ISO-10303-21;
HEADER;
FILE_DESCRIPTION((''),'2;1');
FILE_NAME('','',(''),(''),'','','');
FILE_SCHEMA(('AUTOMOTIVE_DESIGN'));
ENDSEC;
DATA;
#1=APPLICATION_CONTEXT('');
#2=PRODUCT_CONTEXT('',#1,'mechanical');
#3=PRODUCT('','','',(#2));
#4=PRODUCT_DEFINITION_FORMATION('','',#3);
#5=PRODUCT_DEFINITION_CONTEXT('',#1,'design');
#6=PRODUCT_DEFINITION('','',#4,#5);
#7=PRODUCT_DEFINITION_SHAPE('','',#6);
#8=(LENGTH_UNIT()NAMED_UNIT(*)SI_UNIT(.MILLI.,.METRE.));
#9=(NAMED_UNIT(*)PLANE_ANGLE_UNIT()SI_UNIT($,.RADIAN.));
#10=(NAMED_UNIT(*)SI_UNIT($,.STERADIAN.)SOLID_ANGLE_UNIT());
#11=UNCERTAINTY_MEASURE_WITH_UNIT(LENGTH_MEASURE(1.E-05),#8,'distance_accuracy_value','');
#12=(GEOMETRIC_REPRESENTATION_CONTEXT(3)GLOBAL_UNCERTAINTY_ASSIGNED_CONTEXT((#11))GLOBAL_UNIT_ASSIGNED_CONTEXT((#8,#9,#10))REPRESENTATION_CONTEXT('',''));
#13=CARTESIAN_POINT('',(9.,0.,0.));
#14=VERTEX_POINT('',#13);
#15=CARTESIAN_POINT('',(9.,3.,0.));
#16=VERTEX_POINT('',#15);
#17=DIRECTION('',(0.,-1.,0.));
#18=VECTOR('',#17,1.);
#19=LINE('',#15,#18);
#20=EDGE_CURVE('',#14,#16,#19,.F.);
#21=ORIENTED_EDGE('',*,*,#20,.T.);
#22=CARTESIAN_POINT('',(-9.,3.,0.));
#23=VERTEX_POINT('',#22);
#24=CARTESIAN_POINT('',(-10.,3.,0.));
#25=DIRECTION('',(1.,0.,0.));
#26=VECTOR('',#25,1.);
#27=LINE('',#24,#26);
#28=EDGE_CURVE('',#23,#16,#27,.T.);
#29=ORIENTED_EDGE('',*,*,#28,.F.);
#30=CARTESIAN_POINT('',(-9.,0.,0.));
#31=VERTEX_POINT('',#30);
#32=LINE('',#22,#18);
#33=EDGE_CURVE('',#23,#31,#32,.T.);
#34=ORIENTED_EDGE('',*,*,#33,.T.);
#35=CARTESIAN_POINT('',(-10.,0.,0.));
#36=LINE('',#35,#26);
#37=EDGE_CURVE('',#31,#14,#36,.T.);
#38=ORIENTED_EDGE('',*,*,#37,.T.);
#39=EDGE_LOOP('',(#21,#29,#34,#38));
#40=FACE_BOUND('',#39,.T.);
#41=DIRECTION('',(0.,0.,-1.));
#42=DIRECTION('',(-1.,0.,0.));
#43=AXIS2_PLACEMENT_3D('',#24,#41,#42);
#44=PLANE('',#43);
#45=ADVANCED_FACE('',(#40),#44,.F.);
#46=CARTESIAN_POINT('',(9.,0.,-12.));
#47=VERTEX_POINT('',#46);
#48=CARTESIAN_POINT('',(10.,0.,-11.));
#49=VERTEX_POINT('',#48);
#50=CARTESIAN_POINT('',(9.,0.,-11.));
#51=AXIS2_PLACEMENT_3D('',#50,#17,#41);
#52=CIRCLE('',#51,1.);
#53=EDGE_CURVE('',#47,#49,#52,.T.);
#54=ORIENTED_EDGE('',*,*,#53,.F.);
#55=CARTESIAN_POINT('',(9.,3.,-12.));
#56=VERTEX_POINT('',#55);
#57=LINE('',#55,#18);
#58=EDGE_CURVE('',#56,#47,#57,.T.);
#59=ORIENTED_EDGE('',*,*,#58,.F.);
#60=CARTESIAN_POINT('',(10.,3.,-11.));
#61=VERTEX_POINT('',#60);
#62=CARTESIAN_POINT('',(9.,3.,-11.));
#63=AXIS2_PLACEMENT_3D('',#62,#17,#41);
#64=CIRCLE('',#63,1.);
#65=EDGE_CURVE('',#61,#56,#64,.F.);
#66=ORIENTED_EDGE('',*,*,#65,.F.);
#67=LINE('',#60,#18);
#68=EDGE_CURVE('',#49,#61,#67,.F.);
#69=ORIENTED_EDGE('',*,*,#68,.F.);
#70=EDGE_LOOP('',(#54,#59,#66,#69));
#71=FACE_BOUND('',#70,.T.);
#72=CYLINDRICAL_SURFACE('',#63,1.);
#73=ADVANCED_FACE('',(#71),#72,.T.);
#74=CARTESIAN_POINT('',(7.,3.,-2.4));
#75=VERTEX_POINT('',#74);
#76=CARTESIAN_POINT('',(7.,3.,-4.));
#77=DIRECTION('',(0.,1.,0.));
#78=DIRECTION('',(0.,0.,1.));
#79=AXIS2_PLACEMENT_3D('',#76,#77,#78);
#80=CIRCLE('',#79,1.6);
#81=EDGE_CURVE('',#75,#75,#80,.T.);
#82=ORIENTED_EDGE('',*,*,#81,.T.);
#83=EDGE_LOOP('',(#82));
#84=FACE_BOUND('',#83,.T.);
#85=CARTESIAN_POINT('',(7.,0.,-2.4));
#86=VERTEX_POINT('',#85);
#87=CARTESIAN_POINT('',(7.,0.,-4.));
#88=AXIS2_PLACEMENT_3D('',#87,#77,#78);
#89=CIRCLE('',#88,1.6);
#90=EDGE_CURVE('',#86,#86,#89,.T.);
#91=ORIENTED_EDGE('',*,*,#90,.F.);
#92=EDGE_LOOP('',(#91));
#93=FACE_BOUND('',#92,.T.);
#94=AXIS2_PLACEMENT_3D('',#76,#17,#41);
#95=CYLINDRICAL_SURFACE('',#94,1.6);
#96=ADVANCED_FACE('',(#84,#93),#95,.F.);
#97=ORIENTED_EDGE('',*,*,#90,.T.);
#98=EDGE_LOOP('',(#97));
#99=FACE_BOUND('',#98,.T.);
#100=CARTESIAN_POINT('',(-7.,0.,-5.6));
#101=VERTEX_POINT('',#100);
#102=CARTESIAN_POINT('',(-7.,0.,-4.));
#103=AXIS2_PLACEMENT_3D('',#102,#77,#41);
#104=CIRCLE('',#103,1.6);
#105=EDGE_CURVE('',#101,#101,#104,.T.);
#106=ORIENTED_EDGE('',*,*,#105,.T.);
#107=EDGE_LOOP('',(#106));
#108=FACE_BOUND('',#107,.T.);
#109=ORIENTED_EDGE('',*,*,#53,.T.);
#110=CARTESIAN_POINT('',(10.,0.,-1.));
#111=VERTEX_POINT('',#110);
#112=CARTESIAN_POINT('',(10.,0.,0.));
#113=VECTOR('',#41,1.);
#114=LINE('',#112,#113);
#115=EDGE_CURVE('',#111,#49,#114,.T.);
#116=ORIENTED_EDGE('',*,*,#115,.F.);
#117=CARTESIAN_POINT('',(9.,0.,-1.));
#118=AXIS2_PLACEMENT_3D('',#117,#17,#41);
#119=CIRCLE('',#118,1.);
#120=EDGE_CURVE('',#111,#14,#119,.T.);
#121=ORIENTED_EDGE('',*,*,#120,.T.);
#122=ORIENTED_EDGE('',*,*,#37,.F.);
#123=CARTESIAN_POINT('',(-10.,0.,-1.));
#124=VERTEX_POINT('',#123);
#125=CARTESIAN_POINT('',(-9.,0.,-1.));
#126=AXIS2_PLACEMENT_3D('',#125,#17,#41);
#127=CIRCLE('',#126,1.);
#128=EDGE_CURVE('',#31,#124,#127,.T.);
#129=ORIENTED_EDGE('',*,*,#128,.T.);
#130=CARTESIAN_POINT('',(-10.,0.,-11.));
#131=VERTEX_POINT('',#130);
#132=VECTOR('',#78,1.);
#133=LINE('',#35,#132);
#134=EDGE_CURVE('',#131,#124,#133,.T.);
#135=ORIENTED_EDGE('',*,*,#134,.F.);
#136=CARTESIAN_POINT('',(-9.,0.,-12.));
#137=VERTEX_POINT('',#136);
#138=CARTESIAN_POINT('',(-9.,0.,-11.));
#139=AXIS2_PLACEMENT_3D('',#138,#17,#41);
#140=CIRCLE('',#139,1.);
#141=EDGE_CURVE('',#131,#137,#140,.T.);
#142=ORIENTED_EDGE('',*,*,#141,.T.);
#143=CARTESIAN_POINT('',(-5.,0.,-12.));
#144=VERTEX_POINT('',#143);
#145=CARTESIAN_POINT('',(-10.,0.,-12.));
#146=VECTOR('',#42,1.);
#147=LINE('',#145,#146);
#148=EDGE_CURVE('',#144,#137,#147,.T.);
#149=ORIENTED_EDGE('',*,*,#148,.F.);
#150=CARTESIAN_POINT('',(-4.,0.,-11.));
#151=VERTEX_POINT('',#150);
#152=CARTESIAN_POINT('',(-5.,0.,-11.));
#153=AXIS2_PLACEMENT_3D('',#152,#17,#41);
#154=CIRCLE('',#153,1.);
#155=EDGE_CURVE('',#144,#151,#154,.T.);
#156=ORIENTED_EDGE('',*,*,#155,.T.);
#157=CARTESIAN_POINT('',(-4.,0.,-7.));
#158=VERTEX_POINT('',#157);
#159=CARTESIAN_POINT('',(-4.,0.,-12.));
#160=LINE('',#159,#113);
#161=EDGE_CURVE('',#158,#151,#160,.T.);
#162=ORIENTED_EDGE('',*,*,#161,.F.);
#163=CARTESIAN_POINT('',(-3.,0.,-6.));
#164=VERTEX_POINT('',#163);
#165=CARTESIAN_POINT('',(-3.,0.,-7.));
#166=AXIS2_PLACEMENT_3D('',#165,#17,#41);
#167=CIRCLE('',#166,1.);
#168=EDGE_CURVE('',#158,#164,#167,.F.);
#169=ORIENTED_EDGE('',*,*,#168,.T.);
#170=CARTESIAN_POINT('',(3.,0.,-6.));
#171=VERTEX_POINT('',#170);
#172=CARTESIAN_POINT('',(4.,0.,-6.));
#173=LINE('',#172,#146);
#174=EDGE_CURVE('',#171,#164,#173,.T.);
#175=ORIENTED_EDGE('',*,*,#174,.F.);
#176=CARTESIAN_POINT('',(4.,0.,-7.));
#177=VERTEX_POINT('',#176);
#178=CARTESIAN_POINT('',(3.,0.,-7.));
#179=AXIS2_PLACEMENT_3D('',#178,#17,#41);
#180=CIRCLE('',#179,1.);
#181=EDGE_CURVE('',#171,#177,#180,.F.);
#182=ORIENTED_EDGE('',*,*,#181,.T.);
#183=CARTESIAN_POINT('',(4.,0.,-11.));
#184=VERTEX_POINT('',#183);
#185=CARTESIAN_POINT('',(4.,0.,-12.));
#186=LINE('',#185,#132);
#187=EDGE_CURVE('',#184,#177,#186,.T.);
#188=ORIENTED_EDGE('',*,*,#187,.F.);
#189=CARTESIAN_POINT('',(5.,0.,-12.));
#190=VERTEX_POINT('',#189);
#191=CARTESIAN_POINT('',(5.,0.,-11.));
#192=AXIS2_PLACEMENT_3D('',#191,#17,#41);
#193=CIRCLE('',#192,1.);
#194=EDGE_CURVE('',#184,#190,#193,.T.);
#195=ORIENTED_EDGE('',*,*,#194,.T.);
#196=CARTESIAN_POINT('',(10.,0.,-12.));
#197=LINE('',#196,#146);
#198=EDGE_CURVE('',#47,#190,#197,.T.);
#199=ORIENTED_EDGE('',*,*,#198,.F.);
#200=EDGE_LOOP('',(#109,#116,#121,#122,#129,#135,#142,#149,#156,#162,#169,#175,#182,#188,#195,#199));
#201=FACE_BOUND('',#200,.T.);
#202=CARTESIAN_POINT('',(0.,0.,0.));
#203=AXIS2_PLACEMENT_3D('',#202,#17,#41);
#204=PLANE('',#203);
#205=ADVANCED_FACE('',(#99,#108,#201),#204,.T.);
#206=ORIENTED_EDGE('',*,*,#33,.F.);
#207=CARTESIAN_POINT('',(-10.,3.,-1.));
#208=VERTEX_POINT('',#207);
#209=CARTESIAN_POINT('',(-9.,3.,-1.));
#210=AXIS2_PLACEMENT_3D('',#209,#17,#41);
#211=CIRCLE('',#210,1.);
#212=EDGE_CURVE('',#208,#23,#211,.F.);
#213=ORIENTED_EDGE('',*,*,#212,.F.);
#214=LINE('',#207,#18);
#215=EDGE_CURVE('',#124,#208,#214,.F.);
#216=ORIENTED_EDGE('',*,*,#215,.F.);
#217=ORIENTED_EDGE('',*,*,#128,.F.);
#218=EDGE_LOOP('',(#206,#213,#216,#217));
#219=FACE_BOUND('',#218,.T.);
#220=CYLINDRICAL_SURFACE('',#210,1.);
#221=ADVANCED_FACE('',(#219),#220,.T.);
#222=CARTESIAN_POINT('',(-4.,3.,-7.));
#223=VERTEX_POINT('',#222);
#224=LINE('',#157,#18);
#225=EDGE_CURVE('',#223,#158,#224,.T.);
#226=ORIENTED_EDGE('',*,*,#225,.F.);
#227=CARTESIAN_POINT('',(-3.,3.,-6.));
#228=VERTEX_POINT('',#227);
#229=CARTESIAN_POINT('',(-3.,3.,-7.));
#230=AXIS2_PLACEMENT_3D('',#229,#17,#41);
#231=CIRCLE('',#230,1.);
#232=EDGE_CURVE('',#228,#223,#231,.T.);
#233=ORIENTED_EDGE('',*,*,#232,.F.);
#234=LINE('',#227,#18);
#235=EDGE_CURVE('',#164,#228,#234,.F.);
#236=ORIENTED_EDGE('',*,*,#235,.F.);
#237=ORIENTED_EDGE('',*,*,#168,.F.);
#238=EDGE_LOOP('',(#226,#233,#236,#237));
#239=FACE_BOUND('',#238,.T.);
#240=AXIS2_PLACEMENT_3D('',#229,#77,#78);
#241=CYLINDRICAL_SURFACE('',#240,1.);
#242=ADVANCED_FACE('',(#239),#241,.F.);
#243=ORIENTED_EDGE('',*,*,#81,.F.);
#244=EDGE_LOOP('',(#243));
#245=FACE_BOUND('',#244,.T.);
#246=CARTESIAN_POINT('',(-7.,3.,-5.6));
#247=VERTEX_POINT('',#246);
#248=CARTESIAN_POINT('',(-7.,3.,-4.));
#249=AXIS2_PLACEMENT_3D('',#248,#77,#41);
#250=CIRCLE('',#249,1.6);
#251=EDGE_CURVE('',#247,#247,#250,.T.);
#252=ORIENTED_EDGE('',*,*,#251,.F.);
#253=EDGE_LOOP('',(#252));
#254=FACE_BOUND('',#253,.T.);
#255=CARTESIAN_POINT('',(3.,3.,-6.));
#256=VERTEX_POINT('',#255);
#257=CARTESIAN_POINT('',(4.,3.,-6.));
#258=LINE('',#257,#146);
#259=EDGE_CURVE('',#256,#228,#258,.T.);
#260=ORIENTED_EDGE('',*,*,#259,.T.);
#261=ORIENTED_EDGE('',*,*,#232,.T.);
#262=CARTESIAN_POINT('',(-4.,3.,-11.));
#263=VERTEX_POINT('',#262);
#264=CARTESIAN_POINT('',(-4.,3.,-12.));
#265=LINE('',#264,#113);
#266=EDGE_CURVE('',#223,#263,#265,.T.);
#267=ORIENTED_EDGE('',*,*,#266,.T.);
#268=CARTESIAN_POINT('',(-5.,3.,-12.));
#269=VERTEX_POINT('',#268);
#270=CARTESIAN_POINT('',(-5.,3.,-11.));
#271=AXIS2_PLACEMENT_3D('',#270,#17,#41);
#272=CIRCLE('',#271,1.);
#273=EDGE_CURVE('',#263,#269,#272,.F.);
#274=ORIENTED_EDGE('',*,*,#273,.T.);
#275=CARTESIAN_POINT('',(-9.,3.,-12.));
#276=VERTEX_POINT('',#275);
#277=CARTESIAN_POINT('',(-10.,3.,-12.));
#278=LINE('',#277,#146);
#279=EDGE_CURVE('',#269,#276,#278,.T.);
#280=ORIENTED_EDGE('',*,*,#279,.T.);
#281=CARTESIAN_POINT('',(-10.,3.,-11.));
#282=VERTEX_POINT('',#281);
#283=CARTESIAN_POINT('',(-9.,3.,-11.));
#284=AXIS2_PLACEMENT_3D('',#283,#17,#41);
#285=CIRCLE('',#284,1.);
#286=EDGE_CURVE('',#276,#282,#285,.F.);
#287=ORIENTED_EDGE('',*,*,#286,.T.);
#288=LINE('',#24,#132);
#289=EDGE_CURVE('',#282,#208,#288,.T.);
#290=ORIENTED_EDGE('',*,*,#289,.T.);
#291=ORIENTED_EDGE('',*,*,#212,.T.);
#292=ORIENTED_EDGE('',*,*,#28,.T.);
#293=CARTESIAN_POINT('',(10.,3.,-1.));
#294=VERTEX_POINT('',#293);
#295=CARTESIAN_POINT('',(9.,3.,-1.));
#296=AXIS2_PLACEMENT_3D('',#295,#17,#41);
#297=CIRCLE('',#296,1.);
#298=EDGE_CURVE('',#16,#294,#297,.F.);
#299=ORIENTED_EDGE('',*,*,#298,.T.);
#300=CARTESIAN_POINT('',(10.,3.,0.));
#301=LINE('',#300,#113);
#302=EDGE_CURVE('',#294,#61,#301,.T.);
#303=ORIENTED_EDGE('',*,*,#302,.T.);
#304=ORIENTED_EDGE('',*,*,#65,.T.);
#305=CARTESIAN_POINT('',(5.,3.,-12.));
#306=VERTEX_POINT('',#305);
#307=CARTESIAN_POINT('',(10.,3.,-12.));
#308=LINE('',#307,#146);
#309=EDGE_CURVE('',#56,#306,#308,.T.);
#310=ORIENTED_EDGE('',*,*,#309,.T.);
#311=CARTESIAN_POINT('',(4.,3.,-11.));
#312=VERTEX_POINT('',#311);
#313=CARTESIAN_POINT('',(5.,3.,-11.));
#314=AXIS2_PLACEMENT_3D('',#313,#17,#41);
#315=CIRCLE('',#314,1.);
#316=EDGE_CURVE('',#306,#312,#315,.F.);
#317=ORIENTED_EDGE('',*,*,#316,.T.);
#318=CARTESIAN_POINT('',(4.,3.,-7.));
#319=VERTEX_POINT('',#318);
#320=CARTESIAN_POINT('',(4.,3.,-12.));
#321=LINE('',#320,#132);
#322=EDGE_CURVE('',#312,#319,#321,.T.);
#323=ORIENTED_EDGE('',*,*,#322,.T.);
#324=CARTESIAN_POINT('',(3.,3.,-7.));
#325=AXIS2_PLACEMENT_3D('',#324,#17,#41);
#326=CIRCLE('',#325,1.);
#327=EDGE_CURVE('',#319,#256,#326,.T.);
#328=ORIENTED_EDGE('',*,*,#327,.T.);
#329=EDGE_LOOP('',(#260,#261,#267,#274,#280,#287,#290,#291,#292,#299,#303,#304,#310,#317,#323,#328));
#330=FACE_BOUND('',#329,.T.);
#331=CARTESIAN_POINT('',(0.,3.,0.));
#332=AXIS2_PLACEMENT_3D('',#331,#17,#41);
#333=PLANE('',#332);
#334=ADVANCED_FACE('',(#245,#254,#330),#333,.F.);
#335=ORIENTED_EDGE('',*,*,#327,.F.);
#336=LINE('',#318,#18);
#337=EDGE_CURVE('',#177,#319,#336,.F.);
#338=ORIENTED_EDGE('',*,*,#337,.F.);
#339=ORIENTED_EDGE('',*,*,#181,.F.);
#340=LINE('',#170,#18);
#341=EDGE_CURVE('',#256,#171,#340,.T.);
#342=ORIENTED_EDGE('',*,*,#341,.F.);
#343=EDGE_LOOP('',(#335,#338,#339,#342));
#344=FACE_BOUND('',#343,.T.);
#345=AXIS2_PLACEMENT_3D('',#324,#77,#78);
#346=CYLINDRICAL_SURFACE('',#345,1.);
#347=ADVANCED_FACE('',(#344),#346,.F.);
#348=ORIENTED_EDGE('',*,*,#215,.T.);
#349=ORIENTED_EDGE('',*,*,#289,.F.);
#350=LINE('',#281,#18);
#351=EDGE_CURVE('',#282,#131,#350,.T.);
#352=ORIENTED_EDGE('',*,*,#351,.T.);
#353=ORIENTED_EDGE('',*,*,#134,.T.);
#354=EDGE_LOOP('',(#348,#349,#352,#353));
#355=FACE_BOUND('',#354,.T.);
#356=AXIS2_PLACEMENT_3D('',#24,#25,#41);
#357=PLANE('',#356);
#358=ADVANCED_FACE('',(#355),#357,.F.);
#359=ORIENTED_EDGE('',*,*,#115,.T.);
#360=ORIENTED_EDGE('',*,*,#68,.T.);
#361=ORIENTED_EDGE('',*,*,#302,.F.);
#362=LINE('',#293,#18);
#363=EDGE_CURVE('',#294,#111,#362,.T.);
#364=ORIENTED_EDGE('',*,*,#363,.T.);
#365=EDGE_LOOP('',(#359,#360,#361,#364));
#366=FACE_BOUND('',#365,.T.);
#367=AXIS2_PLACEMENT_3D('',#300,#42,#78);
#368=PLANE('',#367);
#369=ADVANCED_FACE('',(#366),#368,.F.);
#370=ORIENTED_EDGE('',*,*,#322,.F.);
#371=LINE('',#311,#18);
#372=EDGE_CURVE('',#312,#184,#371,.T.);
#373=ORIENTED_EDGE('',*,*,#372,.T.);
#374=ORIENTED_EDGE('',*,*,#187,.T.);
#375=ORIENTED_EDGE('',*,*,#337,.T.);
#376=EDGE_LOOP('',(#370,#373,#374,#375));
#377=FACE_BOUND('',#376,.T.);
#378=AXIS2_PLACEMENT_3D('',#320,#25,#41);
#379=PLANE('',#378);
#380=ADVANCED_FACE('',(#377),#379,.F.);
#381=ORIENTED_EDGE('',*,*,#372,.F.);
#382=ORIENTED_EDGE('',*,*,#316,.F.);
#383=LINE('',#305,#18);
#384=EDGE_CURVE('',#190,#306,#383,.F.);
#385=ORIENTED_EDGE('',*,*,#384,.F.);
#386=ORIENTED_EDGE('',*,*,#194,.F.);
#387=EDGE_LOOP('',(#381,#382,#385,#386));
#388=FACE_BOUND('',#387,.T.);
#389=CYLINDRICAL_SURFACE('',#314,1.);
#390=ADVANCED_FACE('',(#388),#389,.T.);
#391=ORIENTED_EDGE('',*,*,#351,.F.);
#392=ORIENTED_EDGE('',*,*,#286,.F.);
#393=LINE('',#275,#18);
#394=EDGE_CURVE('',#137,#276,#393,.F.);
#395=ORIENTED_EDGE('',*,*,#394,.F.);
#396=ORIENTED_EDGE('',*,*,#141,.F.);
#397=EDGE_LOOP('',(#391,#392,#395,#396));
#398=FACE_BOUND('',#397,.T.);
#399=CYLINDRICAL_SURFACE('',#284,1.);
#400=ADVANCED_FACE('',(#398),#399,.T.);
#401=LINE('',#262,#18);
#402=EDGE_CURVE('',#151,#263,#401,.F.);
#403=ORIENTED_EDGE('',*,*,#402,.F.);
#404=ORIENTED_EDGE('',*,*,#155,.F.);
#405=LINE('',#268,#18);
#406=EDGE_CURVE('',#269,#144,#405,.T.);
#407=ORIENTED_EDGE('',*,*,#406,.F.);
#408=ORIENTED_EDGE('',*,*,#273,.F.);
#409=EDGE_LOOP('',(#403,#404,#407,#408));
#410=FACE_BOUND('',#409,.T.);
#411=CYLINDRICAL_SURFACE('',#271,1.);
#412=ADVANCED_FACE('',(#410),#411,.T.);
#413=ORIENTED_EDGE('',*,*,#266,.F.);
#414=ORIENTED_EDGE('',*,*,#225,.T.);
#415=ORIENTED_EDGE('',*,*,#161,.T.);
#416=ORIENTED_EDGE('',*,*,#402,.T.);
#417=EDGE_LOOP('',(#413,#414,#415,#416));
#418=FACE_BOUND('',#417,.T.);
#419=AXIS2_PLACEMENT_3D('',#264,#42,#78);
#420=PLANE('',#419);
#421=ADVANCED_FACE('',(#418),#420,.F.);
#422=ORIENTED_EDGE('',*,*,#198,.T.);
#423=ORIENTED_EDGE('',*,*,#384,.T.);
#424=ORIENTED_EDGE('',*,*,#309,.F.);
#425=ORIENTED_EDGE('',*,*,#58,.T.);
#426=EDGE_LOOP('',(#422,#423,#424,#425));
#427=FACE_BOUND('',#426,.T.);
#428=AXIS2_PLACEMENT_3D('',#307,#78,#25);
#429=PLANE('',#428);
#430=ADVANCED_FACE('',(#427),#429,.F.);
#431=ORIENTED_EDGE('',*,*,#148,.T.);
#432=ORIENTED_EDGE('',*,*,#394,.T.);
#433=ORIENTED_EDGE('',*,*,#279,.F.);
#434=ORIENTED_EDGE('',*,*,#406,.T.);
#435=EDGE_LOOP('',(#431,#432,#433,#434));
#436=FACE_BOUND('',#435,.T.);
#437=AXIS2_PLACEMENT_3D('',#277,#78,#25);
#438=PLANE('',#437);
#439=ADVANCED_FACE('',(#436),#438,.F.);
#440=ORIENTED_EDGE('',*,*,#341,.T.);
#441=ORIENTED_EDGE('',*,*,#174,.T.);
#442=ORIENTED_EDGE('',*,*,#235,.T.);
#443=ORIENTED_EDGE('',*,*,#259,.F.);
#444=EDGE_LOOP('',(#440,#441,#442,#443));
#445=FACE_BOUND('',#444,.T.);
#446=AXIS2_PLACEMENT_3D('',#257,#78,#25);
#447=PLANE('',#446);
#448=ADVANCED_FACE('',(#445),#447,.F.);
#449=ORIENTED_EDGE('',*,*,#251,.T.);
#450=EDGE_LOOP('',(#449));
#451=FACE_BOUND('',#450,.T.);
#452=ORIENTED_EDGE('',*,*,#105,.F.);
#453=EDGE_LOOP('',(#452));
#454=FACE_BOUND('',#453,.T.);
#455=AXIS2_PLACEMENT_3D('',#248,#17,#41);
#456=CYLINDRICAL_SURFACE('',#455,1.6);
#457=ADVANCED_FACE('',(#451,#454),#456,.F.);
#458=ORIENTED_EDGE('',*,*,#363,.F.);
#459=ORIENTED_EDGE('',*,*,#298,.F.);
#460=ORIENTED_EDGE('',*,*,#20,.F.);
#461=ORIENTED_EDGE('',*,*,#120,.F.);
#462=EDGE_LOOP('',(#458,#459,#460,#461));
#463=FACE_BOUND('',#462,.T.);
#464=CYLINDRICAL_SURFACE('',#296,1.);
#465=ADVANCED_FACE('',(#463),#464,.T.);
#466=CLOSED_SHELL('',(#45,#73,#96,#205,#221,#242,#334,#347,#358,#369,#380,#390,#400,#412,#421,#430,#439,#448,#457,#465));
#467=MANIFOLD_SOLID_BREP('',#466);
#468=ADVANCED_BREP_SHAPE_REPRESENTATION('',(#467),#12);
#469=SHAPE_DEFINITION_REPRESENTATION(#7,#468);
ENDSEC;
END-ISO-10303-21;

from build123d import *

# Parameters (mm, degrees)
SKETCH_1_R      = 1.6
EXTRUDE_1_DEPTH = 3
FILLET_1_R      = 1


with BuildPart() as part:
    # 草图1 → 凸台-拉伸1 (new body)
    with BuildSketch(Plane(origin=(0, 0, 0), x_dir=(1, 0, 0), z_dir=(0, 1, 0))):
        Polygon((-10, 0), (10, 0), (10, 12), (4, 12), (4, 6), (-4, 6), (-4, 12), (-10, 12), align=None)
        with Locations(Location((7, 4, 0), (0, 0, 270))):
            Circle(SKETCH_1_R, mode=Mode.SUBTRACT)
        with Locations(Location((-7, 4, 0), (0, 0, 90))):
            Circle(SKETCH_1_R, mode=Mode.SUBTRACT)
    extrude(amount=EXTRUDE_1_DEPTH)

    # 圆角1
    fillet_1_edges = [part.edges().sort_by_distance(p)[0] for p in [
        (-4, 1.5, -12),
        (-4, 1.5, -6),
        (4, 1.5, -6),
        (4, 1.5, -12),
        (10, 1.5, -12),
        (10, 1.5, 0),
        (-10, 1.5, 0),
        (-10, 1.5, -12),
    ]]
    fillet(fillet_1_edges, radius=FILLET_1_R)


solid = part.part
